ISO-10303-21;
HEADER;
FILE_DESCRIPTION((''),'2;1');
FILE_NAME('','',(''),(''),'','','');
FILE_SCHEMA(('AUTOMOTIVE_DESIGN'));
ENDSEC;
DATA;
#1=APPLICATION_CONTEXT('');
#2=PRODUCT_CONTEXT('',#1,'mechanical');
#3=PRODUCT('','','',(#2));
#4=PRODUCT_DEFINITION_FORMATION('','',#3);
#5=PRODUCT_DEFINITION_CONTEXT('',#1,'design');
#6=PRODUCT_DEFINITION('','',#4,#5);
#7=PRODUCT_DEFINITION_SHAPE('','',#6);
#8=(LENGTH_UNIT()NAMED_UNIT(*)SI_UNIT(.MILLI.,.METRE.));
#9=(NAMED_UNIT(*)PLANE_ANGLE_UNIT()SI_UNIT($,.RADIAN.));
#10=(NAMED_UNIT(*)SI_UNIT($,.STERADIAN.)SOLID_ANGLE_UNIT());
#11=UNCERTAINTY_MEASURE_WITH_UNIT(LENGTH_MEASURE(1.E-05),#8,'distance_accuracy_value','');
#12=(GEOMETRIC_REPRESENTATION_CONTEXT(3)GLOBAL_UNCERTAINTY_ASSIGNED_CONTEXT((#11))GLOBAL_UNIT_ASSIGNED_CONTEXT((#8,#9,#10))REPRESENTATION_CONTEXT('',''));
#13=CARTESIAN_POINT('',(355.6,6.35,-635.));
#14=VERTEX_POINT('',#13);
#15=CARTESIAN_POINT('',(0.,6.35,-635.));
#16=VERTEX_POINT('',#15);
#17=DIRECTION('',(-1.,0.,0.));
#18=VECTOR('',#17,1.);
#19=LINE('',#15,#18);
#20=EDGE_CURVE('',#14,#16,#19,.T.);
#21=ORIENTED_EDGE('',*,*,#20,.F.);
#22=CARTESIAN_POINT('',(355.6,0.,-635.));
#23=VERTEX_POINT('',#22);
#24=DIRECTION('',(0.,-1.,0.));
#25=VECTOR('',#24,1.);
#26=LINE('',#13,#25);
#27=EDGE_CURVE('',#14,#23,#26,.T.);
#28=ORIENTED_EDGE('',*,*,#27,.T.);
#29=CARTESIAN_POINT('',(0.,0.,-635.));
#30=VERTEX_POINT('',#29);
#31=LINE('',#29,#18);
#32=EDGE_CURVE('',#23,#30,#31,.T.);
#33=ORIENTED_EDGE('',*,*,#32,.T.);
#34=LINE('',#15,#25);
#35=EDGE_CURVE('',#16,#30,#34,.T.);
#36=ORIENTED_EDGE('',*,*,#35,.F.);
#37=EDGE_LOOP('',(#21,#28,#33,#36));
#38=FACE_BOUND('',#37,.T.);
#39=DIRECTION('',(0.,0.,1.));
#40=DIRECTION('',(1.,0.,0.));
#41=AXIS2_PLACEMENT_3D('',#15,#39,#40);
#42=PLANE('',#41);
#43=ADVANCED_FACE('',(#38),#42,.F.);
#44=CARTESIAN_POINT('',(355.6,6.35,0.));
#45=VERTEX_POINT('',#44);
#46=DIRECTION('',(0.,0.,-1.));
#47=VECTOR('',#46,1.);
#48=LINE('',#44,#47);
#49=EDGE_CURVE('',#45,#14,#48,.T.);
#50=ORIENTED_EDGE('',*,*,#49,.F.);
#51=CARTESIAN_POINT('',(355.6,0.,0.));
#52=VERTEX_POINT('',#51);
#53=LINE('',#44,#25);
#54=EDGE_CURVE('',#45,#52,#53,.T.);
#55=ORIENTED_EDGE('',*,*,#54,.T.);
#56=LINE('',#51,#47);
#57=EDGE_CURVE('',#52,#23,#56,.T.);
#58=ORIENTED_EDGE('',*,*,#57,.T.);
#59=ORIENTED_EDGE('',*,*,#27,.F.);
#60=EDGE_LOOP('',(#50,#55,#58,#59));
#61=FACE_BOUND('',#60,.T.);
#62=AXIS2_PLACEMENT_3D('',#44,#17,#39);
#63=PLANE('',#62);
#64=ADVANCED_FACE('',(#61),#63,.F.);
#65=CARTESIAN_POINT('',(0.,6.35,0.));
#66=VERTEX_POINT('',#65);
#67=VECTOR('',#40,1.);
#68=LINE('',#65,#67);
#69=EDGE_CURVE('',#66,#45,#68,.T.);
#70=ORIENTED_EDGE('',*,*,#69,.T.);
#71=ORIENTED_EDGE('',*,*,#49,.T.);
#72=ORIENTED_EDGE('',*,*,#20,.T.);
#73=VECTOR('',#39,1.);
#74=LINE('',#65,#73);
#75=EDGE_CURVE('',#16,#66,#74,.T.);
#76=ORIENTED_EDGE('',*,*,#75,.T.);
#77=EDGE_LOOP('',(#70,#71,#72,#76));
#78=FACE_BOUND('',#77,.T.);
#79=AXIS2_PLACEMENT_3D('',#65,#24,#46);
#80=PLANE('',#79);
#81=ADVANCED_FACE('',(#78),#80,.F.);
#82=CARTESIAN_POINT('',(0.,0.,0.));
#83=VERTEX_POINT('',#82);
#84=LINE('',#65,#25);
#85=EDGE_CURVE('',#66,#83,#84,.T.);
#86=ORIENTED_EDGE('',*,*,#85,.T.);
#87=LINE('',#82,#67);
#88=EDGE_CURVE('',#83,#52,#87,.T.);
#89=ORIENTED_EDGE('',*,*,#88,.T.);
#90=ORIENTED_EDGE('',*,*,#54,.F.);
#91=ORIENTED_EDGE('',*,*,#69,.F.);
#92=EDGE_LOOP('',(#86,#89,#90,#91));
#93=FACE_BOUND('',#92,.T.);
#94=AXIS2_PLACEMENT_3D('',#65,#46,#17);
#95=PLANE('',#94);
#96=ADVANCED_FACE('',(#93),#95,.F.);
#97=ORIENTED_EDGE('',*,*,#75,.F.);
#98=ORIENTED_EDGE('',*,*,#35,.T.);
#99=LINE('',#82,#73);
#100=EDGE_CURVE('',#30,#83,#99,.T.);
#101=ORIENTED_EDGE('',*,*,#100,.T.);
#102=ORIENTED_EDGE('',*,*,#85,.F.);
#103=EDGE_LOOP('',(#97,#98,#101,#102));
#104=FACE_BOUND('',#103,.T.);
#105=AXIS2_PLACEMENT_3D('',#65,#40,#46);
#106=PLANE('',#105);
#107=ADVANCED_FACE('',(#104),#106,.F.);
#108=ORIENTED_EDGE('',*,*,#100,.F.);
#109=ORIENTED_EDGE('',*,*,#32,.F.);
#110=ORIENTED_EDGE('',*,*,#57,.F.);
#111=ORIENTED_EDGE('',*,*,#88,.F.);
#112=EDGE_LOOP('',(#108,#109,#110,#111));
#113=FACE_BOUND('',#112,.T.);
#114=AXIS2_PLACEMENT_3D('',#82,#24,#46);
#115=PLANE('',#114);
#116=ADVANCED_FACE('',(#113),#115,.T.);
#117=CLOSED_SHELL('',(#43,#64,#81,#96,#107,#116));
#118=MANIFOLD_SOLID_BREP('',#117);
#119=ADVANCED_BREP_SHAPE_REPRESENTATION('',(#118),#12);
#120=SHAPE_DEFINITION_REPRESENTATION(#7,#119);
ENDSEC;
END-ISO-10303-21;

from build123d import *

# Parameters (mm, degrees)
SKETCH1_W           = 355.6
SKETCH1_H           = 635
BOSS_EXTRUDE1_DEPTH = 6.35


with BuildPart() as part:
    # Sketch1 → Boss-Extrude1 (new body)
    with BuildSketch(Plane(origin=(0, 0, 0), x_dir=(1, 0, 0), z_dir=(0, 1, 0))):
        with Locations((177.8, 317.5)):
            Rectangle(SKETCH1_W, SKETCH1_H)
    extrude(amount=BOSS_EXTRUDE1_DEPTH)


solid = part.part
